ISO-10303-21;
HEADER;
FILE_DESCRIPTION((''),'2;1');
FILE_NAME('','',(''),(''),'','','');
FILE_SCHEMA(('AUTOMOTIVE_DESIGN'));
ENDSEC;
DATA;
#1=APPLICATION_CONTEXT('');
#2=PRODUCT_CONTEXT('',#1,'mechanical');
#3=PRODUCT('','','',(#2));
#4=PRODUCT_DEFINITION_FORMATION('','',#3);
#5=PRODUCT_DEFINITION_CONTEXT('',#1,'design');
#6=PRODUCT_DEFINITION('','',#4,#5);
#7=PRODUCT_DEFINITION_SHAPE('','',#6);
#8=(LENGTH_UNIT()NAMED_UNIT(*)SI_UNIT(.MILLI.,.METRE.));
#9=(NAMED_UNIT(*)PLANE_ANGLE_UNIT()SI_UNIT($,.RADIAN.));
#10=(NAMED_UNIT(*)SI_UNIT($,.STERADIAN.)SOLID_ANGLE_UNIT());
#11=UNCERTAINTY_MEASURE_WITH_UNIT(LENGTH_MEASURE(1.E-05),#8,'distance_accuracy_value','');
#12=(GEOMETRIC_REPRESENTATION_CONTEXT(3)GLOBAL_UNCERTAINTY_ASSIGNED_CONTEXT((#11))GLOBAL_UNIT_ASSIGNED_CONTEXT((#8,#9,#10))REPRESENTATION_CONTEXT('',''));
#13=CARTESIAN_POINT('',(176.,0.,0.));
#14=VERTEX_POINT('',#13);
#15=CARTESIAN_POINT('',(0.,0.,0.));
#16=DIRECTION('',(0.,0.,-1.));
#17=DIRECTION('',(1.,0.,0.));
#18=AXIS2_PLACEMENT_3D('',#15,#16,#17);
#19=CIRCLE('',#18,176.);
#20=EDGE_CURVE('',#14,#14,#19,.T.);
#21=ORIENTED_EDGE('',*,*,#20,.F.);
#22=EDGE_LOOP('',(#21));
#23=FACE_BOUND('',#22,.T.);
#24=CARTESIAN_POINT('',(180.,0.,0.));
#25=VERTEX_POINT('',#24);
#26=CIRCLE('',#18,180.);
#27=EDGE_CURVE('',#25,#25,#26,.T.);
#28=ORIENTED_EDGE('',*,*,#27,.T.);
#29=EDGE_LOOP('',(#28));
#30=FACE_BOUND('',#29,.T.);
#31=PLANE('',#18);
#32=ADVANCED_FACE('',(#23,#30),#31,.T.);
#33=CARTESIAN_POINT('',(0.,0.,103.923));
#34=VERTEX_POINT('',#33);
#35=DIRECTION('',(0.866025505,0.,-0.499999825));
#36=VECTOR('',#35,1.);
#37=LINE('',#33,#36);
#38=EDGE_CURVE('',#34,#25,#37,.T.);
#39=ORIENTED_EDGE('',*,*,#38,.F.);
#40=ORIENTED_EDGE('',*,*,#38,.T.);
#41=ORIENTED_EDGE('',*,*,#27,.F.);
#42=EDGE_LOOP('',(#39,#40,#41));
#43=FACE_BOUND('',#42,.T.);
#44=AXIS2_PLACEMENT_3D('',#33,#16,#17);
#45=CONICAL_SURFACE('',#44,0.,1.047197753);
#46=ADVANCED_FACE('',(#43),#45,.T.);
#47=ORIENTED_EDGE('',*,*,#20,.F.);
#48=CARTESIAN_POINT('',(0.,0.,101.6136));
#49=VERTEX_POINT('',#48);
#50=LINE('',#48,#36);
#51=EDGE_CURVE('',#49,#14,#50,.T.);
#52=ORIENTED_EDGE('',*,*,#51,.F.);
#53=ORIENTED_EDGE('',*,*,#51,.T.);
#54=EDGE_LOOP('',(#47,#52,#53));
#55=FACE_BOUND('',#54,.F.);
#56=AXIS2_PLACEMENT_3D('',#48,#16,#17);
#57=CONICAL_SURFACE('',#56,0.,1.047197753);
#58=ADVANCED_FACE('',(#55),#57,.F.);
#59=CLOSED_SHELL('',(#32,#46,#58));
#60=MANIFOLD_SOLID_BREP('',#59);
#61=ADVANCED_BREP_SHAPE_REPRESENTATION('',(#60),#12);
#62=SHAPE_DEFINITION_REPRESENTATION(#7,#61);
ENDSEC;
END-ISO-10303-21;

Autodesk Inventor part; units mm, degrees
ref_plane "YZ Plane" through (0, 0, 0) normal (1, 0, 0) x (0, 1, 0)
ref_plane "XZ Plane" through (0, 0, 0) normal (0, 1, 0) x (-1, 0, 0)
ref_plane "XY Plane" through (0, 0, 0) normal (0, 0, 1) x (1, 0, 0)
sketch "Sketch2" plane through (0, 0, 0) normal (0, 1, 0) x (-1, 0, 0)
  line L0 (0, 103.923) -> (-180, 0)
  line L1 (36, 0) -> (-216, 0) construction
  line L2 (0, -74.1996) -> (0, 263.8391) construction
  line L3 (0, 103.923) -> (0, 101.6136)
  line L4 (0, 101.6136) -> (-176, 0)
  line L5 (-180, 0) -> (-176, 0)
  line L6 (0, 215.5479) -> (0, -25.9084)
  point P0 (0, 0)
  dimension "d0" = 180
  dimension "d3" = 30
  dimension "d4" = 2
revolve "Revolution1" add sketch "Sketch2" angle 360 about axis through (0, 0, 215.5479) along (0, 0, -1)
properties part number "P023_Chapeau"
